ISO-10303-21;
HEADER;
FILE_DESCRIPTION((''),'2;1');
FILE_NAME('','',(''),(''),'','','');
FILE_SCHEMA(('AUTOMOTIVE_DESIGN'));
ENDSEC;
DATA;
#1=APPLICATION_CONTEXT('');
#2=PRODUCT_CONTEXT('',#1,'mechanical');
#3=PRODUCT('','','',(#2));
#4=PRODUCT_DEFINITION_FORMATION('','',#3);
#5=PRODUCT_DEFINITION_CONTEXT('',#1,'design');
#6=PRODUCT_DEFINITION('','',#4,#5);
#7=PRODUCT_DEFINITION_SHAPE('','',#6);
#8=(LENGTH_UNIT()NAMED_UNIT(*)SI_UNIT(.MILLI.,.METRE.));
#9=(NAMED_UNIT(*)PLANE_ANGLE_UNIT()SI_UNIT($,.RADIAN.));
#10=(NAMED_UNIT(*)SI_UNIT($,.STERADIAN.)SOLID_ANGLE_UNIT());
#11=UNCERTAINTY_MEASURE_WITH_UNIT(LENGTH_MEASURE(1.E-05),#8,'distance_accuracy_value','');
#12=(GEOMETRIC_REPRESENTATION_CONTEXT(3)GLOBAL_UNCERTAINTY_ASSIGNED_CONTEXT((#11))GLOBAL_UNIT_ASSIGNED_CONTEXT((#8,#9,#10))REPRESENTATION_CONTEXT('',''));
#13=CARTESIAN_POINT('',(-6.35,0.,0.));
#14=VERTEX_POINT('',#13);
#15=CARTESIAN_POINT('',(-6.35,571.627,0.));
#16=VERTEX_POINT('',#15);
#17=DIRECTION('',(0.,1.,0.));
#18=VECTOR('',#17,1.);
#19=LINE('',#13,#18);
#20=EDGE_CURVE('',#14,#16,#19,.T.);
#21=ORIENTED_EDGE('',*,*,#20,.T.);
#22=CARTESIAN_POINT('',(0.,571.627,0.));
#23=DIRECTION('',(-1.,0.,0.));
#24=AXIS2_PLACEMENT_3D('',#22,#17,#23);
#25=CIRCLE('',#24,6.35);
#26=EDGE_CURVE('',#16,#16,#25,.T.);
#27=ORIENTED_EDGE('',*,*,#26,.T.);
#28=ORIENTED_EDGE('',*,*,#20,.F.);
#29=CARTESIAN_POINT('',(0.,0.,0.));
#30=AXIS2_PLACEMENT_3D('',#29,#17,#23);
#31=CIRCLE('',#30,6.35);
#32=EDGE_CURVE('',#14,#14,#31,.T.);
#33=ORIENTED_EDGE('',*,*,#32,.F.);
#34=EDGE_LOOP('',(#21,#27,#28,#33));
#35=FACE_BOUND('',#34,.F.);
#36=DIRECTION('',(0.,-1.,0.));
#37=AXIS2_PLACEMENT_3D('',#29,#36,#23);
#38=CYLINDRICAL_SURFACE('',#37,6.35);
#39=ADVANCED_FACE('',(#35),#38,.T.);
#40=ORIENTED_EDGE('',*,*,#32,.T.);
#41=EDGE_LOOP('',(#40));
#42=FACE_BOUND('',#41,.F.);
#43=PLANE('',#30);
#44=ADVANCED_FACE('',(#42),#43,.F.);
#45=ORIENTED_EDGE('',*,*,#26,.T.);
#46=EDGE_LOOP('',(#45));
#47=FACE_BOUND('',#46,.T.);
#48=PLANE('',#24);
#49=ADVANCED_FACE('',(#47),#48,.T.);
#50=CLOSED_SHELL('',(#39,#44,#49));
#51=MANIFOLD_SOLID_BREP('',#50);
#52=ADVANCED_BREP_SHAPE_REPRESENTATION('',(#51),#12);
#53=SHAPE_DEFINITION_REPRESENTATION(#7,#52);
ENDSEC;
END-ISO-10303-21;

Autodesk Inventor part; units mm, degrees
ref_plane "YZ Plane" through (0, 0, 0) normal (1, 0, 0) x (0, 1, 0)
ref_plane "XZ Plane" through (0, 0, 0) normal (0, 1, 0) x (-1, 0, 0)
ref_plane "XY Plane" through (0, 0, 0) normal (0, 0, 1) x (1, 0, 0)
sketch "Sketch1" plane through (0, 0, 0) normal (0, 1, 0) x (-1, 0, 0)
  circle A0 centre (0, 0) radius 6.35
  dimension "d0" = 12.7
extrude "Extrusion1" add sketch "Sketch1" along normal blind 571.627
properties part number "ElevatorLeverRod"
